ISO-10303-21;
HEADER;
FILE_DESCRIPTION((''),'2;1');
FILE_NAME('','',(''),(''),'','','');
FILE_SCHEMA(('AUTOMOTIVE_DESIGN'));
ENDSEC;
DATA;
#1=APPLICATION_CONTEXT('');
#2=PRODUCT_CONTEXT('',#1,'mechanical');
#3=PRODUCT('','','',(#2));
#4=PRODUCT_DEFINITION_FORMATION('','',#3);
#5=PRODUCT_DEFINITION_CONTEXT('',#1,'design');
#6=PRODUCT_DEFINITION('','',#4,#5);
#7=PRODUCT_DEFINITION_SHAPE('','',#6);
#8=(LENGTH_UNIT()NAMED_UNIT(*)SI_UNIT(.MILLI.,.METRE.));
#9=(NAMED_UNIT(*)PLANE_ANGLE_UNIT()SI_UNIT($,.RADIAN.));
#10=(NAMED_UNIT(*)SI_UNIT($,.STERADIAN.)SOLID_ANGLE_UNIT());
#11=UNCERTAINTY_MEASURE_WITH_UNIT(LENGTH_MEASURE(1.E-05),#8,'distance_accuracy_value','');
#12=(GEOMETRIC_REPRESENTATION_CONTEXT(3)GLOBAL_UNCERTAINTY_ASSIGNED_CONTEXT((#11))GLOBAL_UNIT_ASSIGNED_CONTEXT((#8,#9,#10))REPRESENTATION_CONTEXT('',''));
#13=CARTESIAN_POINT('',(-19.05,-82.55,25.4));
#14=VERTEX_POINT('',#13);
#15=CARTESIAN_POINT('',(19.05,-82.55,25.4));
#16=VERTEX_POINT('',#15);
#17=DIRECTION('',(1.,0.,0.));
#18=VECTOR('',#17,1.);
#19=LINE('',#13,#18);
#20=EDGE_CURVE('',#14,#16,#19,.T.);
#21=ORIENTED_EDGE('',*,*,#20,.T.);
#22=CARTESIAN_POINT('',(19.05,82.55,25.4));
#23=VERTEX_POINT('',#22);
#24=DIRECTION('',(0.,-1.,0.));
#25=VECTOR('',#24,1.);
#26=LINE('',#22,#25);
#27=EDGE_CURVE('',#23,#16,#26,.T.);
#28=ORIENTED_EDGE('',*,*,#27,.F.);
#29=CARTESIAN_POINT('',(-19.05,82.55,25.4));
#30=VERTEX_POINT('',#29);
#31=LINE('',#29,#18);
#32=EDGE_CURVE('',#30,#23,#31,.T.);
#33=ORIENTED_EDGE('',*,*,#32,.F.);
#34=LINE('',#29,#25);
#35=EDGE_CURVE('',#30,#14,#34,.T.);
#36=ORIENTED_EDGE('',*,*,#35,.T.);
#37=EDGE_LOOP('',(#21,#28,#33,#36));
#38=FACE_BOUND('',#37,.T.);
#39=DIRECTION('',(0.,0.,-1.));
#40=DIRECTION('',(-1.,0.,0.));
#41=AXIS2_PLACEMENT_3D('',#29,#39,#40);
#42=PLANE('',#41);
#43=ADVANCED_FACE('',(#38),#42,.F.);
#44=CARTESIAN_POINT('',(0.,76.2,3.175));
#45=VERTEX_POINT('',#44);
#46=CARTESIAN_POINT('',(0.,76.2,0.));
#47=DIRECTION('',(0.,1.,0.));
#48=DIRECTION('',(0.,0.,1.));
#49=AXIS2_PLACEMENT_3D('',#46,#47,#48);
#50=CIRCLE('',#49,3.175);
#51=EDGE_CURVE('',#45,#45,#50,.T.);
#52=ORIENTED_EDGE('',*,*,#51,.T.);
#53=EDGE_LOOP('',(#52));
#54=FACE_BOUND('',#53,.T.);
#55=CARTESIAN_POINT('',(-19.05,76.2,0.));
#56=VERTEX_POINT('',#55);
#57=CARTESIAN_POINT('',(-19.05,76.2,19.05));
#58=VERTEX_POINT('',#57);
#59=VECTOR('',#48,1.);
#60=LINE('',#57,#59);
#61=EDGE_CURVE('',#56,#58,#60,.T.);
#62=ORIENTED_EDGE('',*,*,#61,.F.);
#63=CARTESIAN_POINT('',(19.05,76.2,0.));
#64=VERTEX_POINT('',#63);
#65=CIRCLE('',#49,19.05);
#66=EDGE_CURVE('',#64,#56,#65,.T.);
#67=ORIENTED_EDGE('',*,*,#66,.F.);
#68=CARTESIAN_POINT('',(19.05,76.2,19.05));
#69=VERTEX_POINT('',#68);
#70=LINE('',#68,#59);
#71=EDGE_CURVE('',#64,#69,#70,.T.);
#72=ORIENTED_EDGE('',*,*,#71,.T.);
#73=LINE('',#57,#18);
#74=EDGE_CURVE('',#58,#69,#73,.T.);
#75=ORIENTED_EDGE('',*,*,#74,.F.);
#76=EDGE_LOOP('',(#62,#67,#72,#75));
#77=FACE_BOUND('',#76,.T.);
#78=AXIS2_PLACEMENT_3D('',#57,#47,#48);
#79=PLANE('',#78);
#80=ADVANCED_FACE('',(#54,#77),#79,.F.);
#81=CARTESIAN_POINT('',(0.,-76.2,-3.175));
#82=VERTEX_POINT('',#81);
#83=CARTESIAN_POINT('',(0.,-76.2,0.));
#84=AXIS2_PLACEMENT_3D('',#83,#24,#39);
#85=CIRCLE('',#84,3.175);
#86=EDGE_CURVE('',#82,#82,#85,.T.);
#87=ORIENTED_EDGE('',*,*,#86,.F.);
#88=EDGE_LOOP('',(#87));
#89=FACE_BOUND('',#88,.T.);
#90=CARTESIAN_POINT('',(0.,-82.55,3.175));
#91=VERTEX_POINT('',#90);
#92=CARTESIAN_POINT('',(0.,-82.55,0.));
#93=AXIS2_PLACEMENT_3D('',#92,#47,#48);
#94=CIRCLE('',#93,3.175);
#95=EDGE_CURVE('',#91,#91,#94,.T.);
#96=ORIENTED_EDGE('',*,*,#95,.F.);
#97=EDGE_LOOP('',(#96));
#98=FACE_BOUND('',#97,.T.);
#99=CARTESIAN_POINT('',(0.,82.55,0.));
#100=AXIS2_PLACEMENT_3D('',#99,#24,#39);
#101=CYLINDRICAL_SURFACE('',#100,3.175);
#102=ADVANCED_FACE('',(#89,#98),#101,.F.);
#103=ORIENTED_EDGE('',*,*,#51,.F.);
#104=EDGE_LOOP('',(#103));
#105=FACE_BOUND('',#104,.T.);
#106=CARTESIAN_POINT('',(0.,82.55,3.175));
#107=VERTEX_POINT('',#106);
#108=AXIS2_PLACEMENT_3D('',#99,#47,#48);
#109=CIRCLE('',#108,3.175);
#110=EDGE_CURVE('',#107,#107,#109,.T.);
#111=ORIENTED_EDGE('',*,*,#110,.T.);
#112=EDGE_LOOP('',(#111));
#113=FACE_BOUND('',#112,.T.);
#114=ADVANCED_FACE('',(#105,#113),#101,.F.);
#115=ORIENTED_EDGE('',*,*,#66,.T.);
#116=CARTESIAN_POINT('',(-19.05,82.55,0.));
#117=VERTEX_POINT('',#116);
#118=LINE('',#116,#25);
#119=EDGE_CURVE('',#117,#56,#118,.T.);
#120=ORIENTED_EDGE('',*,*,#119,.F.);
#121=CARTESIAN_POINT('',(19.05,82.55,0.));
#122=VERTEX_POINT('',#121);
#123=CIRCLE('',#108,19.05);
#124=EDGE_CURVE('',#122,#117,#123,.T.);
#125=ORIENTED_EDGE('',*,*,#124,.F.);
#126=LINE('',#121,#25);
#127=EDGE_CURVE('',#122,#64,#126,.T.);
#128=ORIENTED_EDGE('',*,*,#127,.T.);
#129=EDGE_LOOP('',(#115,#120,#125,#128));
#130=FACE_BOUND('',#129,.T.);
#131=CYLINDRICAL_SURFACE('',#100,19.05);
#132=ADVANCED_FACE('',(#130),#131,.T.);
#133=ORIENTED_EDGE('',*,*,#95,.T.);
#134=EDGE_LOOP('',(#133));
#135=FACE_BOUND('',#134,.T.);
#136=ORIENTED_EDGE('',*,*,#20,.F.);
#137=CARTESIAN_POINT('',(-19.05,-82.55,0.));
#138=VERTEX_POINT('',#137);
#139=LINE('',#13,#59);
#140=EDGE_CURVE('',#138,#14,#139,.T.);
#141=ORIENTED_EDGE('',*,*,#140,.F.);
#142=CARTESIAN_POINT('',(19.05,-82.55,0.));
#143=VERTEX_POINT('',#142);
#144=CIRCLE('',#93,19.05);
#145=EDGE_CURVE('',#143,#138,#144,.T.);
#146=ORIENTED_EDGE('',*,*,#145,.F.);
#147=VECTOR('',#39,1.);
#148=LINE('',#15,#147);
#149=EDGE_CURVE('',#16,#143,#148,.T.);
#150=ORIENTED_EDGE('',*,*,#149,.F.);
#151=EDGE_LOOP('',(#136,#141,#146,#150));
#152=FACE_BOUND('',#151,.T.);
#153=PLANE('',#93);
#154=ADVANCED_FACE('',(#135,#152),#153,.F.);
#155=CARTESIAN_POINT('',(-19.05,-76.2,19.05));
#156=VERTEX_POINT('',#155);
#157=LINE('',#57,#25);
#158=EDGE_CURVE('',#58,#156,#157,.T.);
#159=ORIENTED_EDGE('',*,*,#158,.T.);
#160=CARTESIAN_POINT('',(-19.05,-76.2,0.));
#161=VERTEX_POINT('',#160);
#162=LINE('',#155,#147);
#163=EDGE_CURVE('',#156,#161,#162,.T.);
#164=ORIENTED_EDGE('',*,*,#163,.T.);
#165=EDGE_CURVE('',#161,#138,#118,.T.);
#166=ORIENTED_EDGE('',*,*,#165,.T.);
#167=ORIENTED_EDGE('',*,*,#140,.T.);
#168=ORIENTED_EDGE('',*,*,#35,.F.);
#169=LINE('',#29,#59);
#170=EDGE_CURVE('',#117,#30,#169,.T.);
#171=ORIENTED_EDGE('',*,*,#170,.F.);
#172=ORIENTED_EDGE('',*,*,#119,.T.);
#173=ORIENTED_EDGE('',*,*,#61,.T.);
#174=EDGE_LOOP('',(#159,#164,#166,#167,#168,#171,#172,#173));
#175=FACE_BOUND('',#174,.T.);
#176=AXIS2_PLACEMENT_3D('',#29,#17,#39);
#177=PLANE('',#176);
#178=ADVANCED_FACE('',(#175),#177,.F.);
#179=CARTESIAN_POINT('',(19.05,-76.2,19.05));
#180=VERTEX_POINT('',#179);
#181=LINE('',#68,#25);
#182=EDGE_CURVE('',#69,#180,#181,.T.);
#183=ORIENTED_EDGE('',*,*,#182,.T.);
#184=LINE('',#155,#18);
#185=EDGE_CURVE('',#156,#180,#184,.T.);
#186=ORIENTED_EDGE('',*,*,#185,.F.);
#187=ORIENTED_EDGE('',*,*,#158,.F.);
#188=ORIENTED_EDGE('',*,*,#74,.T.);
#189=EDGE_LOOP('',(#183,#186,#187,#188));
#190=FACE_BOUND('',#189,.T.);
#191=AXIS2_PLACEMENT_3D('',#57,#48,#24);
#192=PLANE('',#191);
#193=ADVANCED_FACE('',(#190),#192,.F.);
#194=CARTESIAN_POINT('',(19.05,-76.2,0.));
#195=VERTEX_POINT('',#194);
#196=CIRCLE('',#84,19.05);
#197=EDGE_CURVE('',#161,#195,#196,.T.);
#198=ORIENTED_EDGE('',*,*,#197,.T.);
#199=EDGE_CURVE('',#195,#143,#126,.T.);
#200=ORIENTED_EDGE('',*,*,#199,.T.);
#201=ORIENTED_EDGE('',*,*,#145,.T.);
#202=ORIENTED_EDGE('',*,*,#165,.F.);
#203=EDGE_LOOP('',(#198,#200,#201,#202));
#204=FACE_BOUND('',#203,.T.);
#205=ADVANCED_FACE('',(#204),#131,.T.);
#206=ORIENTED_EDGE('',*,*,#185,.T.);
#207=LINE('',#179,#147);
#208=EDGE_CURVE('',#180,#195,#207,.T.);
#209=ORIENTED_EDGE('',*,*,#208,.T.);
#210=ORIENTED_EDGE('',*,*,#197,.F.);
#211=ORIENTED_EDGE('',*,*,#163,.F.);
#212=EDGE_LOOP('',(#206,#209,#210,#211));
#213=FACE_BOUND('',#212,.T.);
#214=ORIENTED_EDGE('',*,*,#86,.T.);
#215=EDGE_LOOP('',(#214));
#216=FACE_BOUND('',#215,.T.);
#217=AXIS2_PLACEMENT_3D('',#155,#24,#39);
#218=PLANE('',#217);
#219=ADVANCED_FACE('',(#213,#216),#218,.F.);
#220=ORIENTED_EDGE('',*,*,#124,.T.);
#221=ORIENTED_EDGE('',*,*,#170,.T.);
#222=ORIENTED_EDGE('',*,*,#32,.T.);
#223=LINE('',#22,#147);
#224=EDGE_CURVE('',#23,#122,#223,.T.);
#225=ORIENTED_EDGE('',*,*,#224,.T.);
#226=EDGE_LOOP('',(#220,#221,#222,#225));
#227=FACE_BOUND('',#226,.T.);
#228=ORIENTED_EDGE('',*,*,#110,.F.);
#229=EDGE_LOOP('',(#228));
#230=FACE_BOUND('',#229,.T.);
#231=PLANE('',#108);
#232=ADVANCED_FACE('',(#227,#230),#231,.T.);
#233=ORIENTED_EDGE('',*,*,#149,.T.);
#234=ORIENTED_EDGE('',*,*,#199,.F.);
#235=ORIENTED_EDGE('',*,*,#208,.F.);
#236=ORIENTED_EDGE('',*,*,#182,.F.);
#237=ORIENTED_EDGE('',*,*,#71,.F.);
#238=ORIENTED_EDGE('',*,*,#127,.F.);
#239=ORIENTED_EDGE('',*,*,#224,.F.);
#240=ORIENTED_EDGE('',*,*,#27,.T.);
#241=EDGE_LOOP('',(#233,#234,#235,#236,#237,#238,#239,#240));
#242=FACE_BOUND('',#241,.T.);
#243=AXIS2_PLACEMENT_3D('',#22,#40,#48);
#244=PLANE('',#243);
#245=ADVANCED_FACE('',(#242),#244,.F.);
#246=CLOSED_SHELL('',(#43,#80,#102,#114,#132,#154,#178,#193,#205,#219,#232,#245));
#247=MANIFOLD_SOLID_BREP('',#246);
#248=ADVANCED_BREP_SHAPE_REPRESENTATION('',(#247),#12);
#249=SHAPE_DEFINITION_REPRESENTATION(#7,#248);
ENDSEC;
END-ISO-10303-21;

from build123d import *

# Parameters (mm, degrees)
SKETCH1_R      = 3.175
EXTRUDE1_DEPTH = 82.55
SKETCH2_W      = 38.1
SKETCH2_H      = 152.4
EXTRUDE2_DEPTH = 39.1


with BuildPart() as part:
    # Sketch1 → Extrude1 (new body, symmetric)
    with BuildSketch(Plane(origin=(0, 0, 0), x_dir=(1, 0, 0), z_dir=(0, 1, 0))):
        with BuildLine():
            Line((-19.05, -25.4), (19.05, -25.4))
            Line((19.05, -25.4), (19.05, 0))
            ThreePointArc((19.05, 0), (0, 19.05), (-19.05, 0))
            Line((-19.05, 0), (-19.05, -25.4))
        make_face()
        with Locations(Location((0, 0, 0), (0, 0, 270))):  # turned: the seam where the file's is
            Circle(SKETCH1_R, mode=Mode.SUBTRACT)
    extrude(amount=EXTRUDE1_DEPTH, both=True)

    # Sketch2 → Extrude2 (cut, through all)
    with BuildSketch(Plane(origin=(19.05, 0, 0), x_dir=(0, 0, -1), z_dir=(1, 0, 0))):
        Rectangle(SKETCH2_W, SKETCH2_H)
    extrude(amount=-EXTRUDE2_DEPTH, mode=Mode.SUBTRACT)


solid = part.part
